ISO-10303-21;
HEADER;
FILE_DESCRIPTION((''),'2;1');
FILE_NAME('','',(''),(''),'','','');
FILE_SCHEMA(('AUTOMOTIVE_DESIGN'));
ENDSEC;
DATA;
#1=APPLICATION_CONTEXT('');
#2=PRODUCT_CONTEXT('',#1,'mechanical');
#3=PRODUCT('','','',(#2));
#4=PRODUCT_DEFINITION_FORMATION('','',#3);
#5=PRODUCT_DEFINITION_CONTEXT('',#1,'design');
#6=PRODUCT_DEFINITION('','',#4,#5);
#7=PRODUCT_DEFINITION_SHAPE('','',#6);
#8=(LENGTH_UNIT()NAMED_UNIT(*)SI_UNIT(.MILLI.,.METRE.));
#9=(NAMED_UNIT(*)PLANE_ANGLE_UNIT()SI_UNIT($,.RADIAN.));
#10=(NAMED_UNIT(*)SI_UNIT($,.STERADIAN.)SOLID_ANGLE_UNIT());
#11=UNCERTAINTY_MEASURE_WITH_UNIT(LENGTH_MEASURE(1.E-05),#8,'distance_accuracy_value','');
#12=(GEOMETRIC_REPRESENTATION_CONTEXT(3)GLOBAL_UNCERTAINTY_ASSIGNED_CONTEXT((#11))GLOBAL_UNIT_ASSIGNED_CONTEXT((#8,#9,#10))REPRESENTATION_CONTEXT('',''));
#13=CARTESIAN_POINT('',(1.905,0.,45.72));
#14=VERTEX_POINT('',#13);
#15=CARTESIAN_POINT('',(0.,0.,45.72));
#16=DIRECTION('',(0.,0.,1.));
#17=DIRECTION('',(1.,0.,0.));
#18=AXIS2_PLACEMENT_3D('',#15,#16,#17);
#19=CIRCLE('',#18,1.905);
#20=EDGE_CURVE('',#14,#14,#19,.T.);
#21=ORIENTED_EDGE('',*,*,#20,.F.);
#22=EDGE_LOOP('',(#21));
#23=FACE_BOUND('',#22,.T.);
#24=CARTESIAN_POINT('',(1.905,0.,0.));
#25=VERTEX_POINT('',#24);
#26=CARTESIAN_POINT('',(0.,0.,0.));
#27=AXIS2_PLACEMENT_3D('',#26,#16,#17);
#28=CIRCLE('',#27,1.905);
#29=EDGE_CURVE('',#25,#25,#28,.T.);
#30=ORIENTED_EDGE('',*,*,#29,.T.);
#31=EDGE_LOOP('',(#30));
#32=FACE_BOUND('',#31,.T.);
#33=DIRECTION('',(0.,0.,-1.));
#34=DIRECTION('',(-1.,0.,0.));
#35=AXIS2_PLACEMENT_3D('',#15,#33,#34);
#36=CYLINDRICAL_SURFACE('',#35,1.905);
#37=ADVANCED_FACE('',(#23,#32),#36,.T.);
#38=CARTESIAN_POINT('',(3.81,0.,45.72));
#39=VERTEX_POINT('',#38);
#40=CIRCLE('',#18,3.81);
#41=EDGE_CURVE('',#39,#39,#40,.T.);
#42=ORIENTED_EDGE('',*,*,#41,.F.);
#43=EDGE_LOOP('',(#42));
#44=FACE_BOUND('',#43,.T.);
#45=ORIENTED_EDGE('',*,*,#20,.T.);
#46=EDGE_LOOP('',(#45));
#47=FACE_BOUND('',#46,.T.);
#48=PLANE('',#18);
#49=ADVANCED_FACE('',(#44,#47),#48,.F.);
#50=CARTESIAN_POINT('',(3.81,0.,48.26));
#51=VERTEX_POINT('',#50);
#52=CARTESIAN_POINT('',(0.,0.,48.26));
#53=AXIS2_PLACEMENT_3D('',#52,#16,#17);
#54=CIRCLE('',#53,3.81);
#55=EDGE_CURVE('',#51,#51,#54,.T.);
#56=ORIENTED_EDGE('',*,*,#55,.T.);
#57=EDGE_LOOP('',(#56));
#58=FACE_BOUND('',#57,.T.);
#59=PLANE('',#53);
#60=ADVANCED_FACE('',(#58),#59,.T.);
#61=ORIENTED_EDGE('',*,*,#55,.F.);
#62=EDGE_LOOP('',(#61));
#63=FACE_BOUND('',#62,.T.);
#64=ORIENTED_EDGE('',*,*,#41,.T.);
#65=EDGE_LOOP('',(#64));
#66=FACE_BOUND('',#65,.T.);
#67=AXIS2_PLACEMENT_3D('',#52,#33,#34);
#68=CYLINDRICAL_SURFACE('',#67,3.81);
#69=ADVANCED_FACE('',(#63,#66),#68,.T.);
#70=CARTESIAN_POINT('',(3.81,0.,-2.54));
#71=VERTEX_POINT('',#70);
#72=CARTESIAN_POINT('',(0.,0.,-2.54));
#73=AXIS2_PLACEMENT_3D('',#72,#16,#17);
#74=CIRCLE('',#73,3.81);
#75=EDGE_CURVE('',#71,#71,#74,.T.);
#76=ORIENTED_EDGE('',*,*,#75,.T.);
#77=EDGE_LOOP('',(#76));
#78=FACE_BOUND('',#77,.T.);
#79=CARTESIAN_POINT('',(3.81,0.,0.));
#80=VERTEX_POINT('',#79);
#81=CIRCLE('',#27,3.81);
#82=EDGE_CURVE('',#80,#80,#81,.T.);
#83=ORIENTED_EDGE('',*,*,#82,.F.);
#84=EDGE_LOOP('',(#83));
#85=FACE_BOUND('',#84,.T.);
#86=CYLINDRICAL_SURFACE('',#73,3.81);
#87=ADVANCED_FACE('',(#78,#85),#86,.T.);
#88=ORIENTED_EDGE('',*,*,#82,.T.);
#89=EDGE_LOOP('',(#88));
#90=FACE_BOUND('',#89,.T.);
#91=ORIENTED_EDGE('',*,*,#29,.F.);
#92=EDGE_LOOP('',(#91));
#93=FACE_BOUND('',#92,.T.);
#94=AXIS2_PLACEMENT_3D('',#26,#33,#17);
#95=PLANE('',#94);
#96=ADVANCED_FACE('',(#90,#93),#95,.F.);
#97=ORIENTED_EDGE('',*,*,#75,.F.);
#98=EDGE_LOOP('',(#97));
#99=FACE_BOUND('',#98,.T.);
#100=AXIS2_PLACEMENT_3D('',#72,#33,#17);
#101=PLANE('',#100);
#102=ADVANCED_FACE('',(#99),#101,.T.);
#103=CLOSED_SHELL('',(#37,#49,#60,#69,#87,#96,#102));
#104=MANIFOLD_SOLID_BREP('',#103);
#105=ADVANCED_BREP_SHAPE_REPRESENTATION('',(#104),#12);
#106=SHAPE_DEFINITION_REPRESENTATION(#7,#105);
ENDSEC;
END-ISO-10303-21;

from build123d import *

# Parameters (mm, degrees)
SKETCH1_R           = 1.905
BOSS_EXTRUDE1_DEPTH = 45.72
SKETCH4_R           = 3.81
BOSS_EXTRUDE2_DEPTH = 2.54


with BuildPart() as part:
    # Sketch1 → Boss-Extrude1 (new body)
    with BuildSketch(Plane.XY):
        Circle(SKETCH1_R)
    extrude(amount=BOSS_EXTRUDE1_DEPTH)

    # Sketch4 → Boss-Extrude2 (add)
    with BuildSketch(Plane.XY.offset(45.72)):
        Circle(SKETCH4_R)
    boss_extrude2 = extrude(amount=BOSS_EXTRUDE2_DEPTH)

    # Mirror1: Boss-Extrude2 across plane
    add(boss_extrude2.mirror(Plane.XY.offset(22.86)))


solid = part.part
